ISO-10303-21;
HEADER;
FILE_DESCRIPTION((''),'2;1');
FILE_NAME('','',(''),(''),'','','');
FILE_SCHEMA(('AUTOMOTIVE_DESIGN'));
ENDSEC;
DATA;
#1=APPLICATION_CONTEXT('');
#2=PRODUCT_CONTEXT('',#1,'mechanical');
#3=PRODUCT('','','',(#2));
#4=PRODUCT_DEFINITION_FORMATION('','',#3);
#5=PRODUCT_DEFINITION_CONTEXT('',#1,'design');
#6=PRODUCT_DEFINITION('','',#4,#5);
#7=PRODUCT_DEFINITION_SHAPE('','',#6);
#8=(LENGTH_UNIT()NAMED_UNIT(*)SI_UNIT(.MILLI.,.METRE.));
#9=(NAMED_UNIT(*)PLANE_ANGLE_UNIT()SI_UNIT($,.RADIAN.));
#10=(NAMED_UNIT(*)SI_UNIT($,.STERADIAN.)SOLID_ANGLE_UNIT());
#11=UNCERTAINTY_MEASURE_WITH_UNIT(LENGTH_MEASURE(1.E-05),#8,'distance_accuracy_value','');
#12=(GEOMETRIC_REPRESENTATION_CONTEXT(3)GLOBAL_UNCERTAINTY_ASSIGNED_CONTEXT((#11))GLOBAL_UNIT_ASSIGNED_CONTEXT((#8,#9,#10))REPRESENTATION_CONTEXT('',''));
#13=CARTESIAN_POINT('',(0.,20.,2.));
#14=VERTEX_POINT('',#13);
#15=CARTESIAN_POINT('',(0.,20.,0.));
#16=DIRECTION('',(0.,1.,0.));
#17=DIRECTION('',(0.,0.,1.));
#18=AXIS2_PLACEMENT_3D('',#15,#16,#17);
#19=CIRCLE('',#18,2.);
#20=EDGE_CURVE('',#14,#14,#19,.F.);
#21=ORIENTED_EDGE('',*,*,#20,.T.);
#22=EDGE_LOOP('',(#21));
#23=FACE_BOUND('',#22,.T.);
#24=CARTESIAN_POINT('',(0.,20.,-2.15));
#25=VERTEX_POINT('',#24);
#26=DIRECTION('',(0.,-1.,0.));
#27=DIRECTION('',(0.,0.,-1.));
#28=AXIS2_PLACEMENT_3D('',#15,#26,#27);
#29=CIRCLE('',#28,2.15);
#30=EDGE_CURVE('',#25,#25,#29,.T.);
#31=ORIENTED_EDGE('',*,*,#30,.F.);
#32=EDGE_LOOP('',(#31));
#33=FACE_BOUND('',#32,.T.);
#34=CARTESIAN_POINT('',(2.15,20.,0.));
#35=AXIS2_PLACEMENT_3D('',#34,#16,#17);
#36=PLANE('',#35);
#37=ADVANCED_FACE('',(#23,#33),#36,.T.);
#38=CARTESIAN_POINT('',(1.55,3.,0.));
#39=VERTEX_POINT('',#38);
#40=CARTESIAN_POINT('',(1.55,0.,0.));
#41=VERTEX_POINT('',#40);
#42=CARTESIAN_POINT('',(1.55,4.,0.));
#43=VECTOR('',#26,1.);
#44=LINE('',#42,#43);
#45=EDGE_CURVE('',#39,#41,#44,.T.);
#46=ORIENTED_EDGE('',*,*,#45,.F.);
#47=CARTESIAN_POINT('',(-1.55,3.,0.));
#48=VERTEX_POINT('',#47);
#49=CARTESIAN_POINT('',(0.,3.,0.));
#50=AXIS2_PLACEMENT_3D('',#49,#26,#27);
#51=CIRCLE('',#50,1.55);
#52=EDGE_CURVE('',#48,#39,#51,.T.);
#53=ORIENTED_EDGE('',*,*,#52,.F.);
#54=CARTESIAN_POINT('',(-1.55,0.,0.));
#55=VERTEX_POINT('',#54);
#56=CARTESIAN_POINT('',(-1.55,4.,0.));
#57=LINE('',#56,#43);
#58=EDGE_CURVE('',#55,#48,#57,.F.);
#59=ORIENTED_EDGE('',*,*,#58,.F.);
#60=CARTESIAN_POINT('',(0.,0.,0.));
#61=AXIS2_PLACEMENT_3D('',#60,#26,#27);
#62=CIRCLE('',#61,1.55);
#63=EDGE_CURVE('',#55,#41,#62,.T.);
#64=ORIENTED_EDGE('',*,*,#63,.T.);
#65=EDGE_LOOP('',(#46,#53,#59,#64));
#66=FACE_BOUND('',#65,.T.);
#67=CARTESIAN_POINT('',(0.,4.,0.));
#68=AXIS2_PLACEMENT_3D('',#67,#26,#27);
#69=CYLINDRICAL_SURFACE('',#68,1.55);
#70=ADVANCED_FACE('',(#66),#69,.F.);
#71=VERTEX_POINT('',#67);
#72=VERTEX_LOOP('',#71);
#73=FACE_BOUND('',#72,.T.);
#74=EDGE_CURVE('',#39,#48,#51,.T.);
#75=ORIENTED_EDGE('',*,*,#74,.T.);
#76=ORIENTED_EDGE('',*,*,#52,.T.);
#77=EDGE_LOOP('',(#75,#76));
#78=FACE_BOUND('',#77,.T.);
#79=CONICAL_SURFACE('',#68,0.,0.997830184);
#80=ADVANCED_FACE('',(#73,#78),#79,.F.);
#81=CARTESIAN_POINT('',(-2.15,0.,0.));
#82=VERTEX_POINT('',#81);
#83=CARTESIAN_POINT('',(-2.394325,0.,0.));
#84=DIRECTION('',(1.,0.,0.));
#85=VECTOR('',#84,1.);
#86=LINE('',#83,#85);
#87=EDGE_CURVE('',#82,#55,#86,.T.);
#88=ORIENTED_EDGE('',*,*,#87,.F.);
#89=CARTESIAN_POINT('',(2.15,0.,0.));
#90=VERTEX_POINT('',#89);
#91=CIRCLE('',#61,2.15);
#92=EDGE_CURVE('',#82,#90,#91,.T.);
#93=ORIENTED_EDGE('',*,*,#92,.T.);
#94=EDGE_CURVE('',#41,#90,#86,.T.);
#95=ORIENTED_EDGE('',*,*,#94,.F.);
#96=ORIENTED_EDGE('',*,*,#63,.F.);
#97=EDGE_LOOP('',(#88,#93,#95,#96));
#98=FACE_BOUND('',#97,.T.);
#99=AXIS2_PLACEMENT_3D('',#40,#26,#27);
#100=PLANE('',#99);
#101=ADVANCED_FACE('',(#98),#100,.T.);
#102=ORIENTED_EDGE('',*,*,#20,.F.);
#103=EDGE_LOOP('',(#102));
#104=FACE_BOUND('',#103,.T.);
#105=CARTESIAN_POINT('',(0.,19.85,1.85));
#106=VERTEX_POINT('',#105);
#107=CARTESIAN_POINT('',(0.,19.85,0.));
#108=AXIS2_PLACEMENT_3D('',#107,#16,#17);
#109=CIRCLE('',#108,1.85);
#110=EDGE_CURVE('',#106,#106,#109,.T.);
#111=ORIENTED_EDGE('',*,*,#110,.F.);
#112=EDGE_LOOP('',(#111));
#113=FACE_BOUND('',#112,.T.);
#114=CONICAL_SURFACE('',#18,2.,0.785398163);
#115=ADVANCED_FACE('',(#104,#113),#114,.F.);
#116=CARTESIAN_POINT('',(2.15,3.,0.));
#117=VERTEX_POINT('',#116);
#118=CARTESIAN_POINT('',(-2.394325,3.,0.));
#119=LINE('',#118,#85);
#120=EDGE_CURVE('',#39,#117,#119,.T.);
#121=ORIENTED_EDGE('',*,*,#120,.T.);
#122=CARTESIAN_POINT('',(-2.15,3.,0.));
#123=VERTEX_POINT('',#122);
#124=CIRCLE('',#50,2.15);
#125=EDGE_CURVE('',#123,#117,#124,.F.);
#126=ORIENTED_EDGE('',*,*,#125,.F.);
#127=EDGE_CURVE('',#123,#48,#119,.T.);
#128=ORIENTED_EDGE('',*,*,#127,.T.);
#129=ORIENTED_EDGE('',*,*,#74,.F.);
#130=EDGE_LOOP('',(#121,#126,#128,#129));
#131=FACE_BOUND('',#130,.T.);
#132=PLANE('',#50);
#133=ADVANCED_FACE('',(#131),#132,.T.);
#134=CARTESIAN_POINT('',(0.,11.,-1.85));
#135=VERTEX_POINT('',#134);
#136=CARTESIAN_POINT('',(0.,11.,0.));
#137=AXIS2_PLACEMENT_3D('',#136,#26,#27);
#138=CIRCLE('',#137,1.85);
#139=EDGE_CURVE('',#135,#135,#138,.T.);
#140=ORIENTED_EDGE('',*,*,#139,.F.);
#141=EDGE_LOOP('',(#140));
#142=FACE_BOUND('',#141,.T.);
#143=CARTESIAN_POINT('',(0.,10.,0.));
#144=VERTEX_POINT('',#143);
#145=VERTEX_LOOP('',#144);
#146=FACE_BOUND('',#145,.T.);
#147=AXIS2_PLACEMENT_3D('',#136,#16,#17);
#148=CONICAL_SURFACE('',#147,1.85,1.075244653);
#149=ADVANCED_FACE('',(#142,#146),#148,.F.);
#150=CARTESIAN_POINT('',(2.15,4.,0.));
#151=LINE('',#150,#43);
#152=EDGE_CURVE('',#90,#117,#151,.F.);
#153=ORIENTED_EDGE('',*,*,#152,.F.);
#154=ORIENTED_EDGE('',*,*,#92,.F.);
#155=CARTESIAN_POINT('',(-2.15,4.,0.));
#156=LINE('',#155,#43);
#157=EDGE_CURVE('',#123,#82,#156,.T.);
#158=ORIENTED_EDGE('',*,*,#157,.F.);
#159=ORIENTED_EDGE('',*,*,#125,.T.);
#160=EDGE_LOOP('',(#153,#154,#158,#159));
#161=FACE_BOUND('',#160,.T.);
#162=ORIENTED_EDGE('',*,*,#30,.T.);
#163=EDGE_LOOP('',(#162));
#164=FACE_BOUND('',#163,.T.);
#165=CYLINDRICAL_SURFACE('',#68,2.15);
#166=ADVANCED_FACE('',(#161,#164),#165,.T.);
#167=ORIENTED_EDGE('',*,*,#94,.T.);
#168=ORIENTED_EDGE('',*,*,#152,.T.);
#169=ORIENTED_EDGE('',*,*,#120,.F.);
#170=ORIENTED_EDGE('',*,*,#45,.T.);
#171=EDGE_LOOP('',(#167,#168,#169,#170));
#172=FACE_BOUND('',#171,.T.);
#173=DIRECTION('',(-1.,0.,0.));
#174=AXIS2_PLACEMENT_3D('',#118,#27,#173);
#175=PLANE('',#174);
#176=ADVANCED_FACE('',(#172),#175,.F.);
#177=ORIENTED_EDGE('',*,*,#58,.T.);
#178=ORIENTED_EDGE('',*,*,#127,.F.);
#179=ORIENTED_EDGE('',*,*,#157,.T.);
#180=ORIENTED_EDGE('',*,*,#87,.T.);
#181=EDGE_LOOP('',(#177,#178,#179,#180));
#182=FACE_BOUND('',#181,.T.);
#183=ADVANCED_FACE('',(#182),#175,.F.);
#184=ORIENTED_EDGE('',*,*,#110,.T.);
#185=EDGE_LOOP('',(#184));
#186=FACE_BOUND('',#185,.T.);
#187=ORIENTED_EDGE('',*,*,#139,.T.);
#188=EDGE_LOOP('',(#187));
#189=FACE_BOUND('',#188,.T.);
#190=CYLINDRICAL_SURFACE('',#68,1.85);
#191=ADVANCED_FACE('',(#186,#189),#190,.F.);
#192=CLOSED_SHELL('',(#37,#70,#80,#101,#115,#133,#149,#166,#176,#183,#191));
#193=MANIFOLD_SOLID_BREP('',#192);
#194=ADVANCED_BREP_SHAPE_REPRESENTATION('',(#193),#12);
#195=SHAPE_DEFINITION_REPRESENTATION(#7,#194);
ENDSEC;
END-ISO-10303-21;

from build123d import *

# Parameters (mm, degrees)
ESBO_O3_W             = 4.788650246
ESBO_O3_H             = 2.452019704
CORTE_EXTRUS_O4_DEPTH = 3
CHANFRO1_SIZE         = 0.15


with BuildPart() as part:
    # Esboço1 → Revolução1 (revolve)
    with BuildSketch(Plane.XY):
        Polygon((0, 4), (0, 10), (1.85, 11), (1.85, 20), (2.15, 20), (2.15, 0), (1.55, 0), (1.55, 3), align=None)
    revolve(axis=Axis((0, 4, 0), (0, 1, 0)))

    # Esboço3 → Corte-extrusão4 (cut)
    with BuildSketch(Plane.XZ):
        with Locations((0, 1.226009852)):
            Rectangle(ESBO_O3_W, ESBO_O3_H)
    extrude(amount=-CORTE_EXTRUS_O4_DEPTH, mode=Mode.SUBTRACT)

    # Chanfro1
    chanfro1_edges = [part.edges().sort_by_distance(p)[0] for p in [
        (-1.85, 20, 0),
    ]]
    chamfer(chanfro1_edges, length=CHANFRO1_SIZE)


solid = part.part
